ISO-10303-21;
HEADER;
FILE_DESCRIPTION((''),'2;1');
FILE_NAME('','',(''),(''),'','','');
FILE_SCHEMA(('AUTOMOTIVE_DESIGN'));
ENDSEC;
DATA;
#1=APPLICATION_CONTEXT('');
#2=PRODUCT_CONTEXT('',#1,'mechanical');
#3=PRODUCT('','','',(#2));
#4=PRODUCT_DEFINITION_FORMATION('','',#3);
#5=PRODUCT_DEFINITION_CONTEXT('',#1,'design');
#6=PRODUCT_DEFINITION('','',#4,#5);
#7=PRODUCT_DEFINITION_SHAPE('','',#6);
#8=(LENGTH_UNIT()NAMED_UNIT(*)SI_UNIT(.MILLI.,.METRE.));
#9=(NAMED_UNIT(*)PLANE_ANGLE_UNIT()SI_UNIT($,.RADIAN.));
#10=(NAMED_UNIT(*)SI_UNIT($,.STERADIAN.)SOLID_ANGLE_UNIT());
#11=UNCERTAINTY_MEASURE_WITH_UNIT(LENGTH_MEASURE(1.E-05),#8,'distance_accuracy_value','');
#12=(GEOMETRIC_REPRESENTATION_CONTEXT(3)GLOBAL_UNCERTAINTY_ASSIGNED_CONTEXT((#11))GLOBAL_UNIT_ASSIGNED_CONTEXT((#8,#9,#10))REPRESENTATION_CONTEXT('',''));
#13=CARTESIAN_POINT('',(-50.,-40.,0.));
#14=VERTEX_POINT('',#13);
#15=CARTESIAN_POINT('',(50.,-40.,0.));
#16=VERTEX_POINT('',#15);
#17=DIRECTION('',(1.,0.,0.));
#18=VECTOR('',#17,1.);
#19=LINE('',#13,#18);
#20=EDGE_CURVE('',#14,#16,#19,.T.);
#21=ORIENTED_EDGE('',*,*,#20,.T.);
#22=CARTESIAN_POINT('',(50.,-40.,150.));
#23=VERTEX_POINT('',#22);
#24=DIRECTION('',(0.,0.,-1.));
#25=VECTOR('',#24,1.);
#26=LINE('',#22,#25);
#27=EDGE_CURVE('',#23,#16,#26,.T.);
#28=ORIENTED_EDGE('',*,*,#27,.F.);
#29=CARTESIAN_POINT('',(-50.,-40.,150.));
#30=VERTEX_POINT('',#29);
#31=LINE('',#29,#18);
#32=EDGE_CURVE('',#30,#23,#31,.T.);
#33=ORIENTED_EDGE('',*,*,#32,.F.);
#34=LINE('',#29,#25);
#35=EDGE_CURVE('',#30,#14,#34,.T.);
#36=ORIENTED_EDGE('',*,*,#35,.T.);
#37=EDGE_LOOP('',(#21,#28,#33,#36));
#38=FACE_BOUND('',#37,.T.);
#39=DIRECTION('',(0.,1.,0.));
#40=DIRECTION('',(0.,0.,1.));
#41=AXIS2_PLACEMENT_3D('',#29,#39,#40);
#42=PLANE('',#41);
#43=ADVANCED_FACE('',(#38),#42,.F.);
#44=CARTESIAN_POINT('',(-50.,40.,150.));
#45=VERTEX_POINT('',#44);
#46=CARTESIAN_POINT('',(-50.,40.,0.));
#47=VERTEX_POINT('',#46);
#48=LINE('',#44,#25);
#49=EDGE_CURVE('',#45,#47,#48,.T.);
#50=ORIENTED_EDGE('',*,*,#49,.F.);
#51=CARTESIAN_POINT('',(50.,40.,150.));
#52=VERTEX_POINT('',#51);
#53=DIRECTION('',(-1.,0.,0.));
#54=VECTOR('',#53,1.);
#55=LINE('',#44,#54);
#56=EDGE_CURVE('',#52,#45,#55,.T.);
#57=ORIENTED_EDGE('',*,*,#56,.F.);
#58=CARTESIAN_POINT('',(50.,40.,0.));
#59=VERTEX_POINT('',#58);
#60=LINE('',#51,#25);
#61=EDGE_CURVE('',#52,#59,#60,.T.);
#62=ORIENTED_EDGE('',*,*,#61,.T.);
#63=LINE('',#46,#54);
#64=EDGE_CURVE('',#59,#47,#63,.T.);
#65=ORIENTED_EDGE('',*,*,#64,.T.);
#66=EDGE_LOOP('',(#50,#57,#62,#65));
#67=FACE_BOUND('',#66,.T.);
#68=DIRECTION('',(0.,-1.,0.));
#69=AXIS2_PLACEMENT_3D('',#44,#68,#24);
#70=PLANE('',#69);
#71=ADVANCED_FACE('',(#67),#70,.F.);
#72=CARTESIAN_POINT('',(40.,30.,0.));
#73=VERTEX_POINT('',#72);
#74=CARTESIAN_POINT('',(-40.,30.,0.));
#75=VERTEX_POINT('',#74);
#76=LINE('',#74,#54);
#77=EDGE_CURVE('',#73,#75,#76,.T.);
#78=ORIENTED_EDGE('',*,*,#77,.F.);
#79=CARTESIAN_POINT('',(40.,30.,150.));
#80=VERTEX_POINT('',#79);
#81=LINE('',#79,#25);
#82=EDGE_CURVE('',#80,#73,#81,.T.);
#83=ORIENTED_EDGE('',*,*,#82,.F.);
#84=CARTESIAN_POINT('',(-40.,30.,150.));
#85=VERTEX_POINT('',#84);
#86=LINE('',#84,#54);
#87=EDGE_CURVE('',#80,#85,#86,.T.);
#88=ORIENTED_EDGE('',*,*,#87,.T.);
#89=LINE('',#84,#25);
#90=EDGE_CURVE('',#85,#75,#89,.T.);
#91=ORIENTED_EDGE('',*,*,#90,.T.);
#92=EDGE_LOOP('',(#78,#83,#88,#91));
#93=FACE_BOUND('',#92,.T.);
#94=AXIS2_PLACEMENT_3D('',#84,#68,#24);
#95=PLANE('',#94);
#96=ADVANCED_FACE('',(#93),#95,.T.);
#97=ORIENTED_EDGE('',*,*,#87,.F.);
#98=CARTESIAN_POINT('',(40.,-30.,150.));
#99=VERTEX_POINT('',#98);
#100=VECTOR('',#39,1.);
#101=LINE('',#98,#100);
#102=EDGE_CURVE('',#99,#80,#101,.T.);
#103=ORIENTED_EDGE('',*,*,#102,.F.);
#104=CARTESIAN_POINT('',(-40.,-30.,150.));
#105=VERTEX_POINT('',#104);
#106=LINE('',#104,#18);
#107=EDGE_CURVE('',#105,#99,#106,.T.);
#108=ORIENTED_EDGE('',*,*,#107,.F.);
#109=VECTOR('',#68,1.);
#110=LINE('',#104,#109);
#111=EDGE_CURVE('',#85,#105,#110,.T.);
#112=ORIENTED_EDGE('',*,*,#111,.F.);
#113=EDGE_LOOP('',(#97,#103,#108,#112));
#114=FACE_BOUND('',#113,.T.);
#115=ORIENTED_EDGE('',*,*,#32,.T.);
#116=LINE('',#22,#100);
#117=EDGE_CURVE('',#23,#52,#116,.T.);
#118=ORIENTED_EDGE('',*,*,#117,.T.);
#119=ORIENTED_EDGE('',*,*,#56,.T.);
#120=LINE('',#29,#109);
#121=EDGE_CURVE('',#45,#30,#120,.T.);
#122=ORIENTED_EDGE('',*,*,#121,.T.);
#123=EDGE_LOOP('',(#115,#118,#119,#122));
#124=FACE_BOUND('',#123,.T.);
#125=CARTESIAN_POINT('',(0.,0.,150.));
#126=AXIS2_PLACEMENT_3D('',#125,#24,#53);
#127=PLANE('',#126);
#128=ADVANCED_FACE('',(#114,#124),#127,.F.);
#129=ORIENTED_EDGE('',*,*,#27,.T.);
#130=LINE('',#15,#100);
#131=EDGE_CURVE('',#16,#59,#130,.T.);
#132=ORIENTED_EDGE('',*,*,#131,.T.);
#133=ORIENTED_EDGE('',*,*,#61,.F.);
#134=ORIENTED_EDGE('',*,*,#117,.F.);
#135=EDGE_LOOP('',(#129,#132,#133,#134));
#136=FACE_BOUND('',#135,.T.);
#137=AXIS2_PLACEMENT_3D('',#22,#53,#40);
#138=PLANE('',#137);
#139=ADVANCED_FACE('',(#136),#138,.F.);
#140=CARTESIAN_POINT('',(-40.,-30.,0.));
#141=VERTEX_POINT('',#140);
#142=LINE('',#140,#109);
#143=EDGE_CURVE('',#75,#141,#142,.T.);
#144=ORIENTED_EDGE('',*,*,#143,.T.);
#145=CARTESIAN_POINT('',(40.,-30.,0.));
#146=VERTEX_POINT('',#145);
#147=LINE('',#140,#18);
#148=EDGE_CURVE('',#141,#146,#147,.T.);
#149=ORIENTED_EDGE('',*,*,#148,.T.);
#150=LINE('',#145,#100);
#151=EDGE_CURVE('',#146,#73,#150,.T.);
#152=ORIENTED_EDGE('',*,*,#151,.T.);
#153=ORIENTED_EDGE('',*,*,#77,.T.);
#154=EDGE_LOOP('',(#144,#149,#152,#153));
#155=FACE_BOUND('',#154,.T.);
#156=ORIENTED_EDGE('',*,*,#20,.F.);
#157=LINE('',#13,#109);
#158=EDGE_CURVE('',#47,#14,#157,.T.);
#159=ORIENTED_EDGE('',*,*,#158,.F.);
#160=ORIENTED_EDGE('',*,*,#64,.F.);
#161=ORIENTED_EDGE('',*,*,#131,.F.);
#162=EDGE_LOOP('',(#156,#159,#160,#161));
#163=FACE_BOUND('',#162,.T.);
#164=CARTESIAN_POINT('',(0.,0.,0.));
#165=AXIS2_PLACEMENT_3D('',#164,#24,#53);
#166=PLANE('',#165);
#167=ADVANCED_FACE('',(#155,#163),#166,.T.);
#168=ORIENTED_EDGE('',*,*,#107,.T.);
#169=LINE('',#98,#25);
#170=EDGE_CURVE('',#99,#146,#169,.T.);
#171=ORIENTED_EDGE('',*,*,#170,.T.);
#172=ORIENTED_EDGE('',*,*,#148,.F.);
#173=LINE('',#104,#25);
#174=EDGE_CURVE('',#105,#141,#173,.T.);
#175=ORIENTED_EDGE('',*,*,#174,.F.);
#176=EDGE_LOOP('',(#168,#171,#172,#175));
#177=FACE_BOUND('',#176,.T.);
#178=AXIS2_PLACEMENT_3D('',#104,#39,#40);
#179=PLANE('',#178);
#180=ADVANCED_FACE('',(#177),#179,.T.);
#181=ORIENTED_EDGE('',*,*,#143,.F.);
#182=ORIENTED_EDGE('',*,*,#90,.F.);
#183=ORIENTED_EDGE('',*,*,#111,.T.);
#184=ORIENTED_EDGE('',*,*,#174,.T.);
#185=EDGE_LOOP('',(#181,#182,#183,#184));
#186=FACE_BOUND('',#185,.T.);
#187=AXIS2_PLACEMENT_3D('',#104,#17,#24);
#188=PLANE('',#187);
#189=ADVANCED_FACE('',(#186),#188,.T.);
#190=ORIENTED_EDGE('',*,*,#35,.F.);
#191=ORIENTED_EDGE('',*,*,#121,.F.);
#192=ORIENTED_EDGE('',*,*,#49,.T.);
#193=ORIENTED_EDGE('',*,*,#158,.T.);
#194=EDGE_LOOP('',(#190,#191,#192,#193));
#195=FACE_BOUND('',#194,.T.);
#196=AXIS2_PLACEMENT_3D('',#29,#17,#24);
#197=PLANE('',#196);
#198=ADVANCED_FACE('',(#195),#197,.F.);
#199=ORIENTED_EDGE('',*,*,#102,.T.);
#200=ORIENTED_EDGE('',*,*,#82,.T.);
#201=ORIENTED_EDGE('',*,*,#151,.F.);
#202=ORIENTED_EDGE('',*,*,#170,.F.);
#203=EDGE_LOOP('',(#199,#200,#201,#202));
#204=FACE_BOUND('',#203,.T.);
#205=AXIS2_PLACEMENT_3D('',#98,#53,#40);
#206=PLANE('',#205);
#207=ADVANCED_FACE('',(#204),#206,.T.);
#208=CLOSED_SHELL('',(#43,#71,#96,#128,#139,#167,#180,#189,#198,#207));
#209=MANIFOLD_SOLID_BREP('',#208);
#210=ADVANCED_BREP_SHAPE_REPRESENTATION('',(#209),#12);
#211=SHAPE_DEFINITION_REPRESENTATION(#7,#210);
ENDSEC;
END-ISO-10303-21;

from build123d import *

# Parameters (mm, degrees)
SKETCH1_W           = 100
SKETCH1_H           = 80
SKETCH1_W_2         = 80
SKETCH1_H_2         = 60
BOSS_EXTRUDE1_DEPTH = 150


with BuildPart() as part:
    # Sketch1 → Boss-Extrude1 (new body)
    with BuildSketch(Plane.XY):
        Rectangle(SKETCH1_W, SKETCH1_H)
        Rectangle(SKETCH1_W_2, SKETCH1_H_2, mode=Mode.SUBTRACT)
    extrude(amount=BOSS_EXTRUDE1_DEPTH)


solid = part.part
